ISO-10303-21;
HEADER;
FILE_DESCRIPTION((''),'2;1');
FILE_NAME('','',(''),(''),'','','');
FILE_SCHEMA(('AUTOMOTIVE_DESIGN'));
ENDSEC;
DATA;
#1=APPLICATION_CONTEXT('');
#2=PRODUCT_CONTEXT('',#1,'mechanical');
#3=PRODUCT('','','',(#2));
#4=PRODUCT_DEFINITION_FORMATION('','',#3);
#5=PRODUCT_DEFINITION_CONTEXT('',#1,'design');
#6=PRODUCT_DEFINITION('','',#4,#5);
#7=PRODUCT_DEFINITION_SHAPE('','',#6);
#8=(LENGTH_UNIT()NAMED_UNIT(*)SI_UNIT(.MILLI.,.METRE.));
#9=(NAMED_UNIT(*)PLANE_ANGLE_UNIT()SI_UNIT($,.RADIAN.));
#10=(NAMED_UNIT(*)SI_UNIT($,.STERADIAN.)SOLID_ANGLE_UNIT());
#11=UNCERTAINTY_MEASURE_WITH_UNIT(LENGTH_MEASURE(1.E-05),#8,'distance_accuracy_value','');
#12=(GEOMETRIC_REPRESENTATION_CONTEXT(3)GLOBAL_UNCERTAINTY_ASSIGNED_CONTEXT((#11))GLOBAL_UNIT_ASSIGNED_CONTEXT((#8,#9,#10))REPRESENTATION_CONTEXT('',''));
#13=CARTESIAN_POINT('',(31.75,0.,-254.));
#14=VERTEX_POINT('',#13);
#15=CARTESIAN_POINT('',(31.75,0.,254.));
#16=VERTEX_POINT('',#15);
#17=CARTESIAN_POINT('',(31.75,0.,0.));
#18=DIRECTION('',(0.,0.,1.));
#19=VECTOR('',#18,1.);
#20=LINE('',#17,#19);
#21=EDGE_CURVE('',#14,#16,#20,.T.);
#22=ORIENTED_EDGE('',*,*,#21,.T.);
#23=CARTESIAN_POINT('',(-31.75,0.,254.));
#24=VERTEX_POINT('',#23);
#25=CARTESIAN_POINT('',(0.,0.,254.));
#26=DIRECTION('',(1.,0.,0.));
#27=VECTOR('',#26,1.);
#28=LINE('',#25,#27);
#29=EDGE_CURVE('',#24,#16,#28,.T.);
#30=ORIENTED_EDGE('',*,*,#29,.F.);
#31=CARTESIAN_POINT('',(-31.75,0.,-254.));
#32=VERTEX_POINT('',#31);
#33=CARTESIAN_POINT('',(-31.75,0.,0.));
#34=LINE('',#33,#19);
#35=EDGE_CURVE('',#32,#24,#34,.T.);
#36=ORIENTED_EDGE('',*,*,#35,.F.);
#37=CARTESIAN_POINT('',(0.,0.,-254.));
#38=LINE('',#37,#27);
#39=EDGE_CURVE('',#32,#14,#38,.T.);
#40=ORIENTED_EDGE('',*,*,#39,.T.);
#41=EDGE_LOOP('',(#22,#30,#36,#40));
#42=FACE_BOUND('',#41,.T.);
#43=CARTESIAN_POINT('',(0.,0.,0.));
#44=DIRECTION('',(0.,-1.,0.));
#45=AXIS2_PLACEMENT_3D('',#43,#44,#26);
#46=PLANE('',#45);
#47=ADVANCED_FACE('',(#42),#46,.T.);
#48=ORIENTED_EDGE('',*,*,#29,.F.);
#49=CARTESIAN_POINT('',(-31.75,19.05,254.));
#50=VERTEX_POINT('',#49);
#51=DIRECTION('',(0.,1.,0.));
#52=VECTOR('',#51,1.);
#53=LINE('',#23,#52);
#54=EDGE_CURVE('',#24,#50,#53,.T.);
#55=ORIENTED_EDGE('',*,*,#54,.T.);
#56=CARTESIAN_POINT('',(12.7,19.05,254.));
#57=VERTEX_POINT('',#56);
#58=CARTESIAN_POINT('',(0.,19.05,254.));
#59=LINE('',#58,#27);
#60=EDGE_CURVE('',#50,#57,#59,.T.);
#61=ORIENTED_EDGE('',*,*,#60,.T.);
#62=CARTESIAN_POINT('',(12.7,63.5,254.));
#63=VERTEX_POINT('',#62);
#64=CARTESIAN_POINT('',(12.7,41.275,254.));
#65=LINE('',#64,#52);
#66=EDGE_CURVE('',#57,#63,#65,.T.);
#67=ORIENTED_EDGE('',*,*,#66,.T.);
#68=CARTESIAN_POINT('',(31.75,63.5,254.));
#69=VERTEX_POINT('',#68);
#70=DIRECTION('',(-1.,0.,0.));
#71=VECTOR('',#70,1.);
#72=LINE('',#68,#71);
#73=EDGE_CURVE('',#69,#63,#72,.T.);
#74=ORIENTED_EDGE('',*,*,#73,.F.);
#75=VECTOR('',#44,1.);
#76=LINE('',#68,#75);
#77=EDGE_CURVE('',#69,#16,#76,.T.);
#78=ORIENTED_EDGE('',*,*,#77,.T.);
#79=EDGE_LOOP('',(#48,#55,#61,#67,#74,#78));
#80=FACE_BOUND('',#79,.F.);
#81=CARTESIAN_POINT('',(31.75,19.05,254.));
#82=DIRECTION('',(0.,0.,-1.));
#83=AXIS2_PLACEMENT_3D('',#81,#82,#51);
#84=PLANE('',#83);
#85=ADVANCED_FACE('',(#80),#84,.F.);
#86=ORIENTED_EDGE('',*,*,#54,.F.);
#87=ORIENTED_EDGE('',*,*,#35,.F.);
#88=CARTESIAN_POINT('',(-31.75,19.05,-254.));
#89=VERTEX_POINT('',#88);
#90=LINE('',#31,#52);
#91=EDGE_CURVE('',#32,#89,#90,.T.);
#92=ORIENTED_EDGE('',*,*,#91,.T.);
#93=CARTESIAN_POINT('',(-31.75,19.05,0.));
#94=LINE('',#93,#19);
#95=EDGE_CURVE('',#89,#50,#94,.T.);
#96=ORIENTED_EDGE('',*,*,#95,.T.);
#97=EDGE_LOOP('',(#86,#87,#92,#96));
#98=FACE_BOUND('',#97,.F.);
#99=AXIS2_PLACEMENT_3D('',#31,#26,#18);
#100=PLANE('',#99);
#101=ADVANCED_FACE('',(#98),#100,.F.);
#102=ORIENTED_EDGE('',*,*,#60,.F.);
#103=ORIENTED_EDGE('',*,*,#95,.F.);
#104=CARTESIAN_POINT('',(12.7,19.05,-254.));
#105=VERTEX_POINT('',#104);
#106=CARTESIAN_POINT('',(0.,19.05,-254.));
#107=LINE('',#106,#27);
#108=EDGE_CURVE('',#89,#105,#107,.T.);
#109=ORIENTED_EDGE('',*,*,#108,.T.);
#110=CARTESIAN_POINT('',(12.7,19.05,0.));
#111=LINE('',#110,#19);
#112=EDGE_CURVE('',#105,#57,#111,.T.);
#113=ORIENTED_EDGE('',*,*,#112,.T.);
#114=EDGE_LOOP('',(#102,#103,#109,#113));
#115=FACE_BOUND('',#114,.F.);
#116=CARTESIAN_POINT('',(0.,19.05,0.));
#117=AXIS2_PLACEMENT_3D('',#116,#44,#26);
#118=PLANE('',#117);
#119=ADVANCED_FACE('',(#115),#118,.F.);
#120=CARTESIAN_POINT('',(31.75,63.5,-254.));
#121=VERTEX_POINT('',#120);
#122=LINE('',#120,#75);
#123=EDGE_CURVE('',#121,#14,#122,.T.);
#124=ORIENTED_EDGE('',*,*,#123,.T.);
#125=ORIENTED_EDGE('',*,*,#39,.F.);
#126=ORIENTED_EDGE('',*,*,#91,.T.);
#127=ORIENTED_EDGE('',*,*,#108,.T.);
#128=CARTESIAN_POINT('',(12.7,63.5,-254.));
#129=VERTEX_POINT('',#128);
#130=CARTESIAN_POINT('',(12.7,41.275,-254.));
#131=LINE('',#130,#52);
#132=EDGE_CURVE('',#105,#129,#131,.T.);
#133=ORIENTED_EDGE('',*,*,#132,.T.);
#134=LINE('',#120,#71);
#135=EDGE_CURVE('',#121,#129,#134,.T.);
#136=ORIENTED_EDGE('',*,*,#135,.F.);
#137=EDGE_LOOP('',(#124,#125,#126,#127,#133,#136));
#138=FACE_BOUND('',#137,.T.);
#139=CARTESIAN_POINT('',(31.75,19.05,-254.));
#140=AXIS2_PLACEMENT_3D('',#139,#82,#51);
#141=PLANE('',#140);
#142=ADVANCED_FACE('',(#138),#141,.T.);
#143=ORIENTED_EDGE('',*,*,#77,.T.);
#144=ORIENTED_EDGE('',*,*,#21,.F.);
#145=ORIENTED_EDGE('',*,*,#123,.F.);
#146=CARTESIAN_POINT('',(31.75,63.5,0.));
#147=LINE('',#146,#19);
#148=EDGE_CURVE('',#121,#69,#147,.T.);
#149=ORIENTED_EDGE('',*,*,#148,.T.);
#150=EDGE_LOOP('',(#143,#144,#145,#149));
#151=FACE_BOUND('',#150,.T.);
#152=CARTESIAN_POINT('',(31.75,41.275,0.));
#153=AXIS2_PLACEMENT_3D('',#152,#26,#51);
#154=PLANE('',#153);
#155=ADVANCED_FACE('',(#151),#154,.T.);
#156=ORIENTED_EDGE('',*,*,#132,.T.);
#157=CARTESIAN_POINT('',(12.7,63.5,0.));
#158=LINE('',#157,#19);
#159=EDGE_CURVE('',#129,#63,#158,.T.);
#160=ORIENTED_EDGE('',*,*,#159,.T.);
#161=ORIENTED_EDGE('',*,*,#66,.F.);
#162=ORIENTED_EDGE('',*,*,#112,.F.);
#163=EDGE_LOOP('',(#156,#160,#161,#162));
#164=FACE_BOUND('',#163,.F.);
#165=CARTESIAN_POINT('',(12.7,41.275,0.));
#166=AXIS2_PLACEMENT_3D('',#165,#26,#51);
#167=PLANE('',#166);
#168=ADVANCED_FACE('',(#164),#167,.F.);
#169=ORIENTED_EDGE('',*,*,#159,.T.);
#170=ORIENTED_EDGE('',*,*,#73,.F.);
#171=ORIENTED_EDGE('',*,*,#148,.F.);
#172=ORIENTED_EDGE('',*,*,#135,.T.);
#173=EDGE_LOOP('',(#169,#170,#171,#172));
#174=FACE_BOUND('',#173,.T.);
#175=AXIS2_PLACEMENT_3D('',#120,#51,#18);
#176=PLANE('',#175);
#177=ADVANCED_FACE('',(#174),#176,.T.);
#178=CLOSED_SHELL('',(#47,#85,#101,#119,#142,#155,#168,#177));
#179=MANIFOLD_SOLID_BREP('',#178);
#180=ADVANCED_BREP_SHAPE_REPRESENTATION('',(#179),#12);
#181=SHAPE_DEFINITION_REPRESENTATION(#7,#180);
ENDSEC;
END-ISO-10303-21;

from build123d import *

# Parameters (mm, degrees)
F0_W     = 63.5
F0_H     = 508
F1_DEPTH = 19.05
F2_W     = 44.45
F2_H     = 508
F3_DEPTH = 19.05


with BuildPart() as f1:
    # F0 (on Front) → F1 (new body)
    with BuildSketch(Plane.XZ):
        Rectangle(F0_W, F0_H)
    extrude(amount=-F1_DEPTH)

    # F2 (on face) → F3 (join)
    with BuildSketch(Plane.YZ.offset(31.75)):
        with Locations((41.275, 0)):
            Rectangle(F2_W, F2_H)
    extrude(amount=-F3_DEPTH)


solid = f1.part
